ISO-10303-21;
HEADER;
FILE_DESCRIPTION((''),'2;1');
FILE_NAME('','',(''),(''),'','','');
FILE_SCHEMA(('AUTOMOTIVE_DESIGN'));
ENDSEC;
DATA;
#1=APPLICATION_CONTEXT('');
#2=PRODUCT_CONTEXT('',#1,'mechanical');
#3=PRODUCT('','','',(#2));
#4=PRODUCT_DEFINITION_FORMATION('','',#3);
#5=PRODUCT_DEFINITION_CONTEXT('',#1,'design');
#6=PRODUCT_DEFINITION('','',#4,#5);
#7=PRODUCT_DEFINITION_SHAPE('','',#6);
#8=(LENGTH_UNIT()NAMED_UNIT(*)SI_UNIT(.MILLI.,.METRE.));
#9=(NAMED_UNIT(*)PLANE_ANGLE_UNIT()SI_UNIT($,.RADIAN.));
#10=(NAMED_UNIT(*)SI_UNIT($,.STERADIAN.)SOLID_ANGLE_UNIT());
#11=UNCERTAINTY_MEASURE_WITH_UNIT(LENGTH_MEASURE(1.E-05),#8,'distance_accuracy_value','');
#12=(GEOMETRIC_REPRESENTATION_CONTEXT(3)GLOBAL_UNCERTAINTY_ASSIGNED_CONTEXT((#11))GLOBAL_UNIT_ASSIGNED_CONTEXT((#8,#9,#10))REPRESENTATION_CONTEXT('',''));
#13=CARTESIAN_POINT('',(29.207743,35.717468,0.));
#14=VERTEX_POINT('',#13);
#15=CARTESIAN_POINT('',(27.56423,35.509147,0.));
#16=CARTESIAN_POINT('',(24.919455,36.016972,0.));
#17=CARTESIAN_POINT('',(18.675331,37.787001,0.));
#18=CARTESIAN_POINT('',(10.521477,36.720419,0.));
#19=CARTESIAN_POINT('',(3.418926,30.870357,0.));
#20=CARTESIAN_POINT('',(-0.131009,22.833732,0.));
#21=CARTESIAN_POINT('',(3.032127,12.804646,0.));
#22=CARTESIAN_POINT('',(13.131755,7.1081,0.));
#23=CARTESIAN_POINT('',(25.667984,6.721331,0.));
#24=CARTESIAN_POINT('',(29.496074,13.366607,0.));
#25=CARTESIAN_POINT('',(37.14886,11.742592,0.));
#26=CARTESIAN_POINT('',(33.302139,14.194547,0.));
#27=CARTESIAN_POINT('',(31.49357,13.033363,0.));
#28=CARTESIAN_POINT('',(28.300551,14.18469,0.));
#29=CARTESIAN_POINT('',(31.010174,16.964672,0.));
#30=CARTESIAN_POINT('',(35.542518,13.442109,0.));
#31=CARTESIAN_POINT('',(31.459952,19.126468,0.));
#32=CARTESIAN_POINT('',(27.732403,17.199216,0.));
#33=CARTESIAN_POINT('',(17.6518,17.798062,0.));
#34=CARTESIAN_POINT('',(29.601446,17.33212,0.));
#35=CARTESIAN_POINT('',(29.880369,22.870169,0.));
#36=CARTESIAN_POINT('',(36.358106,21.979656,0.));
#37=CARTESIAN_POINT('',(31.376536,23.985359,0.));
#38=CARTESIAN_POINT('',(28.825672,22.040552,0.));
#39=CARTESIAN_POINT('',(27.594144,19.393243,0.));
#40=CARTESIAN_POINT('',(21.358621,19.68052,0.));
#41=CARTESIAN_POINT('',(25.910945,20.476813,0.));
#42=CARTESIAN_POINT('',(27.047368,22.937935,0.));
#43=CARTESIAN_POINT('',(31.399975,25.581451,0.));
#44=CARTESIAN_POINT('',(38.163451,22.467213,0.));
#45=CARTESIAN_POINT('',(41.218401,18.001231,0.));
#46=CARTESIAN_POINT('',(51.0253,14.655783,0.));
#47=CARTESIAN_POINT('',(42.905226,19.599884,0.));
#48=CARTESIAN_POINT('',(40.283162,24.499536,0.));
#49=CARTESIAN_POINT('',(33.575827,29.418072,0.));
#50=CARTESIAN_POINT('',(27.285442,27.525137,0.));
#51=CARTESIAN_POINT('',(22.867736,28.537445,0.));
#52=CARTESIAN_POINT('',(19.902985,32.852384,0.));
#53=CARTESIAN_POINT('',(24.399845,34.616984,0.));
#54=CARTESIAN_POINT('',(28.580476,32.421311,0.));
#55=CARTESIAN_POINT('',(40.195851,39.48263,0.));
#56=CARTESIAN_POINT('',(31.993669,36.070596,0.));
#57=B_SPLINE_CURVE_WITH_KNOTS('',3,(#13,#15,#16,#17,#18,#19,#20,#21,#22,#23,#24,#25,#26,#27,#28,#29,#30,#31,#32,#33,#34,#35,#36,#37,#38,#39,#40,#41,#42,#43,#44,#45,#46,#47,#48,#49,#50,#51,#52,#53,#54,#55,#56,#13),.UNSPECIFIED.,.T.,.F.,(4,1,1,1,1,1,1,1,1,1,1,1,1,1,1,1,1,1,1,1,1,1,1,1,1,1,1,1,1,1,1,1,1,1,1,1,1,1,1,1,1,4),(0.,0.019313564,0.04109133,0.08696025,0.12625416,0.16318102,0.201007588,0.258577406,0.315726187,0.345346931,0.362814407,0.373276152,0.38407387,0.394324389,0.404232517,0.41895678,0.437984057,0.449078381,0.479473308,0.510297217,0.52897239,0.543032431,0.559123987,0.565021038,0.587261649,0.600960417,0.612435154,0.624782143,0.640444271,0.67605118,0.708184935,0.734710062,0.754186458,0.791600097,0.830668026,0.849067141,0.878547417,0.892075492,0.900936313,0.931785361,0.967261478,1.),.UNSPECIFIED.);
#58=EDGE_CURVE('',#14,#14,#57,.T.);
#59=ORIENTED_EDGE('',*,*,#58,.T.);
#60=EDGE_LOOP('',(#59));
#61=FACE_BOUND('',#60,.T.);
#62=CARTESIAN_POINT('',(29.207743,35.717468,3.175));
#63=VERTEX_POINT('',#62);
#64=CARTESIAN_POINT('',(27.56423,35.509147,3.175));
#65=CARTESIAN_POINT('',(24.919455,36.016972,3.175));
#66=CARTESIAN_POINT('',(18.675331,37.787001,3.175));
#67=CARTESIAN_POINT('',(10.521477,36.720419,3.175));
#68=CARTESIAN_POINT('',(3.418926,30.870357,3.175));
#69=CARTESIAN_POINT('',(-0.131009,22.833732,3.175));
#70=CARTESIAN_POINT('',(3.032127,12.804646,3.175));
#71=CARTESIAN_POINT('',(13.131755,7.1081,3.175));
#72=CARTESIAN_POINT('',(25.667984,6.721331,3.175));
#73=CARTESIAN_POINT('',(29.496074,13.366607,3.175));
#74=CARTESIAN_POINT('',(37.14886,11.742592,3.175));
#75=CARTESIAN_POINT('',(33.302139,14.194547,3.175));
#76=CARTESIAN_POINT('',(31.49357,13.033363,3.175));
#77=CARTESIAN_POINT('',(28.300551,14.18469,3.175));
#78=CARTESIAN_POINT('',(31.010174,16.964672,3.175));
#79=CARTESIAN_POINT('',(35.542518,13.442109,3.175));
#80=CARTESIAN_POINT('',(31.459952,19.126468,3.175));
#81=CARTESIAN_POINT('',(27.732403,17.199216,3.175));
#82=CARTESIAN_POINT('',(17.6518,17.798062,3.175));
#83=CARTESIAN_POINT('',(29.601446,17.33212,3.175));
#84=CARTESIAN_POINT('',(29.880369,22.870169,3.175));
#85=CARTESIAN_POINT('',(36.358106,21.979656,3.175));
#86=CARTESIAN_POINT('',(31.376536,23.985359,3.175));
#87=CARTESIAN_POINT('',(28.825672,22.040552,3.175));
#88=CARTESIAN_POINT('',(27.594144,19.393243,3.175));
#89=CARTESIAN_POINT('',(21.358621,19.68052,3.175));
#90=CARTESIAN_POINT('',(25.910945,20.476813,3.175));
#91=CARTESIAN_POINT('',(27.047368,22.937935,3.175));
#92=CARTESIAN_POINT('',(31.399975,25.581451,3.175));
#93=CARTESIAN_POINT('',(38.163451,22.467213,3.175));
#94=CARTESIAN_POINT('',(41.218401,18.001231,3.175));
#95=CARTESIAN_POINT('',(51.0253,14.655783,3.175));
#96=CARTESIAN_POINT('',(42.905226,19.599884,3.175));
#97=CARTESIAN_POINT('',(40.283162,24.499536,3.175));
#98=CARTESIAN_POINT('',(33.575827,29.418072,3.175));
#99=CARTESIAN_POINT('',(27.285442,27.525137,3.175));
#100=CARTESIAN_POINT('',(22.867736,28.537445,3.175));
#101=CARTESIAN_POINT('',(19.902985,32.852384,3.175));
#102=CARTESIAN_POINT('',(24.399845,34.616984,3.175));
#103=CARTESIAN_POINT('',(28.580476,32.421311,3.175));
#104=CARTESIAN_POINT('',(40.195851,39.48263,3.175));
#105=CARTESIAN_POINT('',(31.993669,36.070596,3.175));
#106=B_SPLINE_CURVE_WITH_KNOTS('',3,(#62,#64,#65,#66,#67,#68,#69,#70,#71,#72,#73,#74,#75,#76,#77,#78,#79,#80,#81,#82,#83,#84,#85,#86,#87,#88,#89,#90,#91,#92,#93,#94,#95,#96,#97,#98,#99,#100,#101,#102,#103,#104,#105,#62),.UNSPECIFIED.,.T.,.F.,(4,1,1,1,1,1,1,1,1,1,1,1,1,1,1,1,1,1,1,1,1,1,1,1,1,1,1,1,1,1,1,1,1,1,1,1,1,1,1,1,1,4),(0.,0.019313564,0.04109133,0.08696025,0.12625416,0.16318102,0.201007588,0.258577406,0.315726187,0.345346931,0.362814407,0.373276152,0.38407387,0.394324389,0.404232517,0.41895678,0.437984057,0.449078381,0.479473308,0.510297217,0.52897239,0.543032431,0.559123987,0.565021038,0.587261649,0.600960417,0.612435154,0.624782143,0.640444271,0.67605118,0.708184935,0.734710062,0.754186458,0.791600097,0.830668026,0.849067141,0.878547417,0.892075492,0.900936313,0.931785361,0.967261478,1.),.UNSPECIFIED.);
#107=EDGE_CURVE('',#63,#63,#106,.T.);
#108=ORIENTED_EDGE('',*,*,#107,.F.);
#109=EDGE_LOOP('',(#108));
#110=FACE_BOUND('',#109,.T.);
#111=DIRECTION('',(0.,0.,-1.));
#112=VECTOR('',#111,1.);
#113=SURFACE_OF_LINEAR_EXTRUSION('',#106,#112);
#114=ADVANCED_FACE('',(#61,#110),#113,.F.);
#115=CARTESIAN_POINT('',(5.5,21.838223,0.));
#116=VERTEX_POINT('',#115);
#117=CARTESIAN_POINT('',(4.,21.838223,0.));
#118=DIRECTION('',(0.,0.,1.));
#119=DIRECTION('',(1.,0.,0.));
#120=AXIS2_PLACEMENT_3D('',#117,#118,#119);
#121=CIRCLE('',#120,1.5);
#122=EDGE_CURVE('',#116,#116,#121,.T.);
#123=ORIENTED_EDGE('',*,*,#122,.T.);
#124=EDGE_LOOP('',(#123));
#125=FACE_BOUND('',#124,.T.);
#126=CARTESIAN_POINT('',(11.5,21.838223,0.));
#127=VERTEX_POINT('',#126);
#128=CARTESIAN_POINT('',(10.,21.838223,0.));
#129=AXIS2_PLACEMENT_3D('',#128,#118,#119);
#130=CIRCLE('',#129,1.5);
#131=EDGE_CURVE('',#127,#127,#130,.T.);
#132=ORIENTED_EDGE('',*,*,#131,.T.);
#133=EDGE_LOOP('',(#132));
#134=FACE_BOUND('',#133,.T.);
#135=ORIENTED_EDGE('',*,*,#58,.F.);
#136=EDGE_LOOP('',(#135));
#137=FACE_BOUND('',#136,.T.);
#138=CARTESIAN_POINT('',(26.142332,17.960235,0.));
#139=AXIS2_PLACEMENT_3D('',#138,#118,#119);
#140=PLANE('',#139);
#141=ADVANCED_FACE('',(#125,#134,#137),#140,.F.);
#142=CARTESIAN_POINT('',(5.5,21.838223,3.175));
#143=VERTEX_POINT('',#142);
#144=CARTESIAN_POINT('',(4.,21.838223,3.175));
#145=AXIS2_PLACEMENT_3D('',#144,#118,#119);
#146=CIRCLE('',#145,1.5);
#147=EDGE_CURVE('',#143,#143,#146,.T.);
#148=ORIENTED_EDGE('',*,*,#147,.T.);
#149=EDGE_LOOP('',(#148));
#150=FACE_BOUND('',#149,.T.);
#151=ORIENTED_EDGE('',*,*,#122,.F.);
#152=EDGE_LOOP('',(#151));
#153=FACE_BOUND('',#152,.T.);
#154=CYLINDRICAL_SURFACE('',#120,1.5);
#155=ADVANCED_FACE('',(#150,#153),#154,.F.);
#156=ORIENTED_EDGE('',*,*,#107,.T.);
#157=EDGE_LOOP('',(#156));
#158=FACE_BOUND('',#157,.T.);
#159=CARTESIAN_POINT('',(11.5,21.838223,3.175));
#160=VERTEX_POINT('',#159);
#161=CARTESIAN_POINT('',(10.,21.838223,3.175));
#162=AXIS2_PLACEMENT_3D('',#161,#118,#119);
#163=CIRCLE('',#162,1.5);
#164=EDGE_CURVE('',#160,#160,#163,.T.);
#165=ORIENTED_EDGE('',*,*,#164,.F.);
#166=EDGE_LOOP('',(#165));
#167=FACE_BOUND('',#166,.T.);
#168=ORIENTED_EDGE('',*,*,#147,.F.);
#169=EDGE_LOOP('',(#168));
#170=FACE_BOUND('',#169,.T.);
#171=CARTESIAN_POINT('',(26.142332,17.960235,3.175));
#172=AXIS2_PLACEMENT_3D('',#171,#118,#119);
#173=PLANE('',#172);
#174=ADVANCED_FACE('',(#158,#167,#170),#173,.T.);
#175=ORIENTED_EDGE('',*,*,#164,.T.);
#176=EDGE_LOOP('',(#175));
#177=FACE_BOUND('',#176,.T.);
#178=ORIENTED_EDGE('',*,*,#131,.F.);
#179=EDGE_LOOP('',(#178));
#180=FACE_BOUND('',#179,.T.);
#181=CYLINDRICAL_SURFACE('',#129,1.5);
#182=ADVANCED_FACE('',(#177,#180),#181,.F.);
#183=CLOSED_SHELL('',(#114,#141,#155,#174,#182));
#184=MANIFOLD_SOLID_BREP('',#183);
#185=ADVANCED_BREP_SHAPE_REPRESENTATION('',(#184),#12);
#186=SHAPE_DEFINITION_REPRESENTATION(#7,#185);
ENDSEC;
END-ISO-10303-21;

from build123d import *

# Parameters (mm, degrees)
BOSS_EXTRUDE1_DEPTH = 3.175
SKETCH3_R           = 1.5
CUT_EXTRUDE1_DEPTH  = 62.37230268


with BuildPart() as part:
    # Sketch2 → Boss-Extrude1 (new body)
    with BuildSketch(Plane.XY):
        with BuildLine():
            add(Edge.make_bspline(
                [(29.207742877, 35.717468465), (27.564230342, 35.509146655), (24.919454559, 36.016972128), (18.675330786, 37.787001413), (10.521477008, 36.720419145), (3.418926114, 30.870356855), (-0.131009111, 22.833731924), (3.032127162, 12.804646369), (13.131754602, 7.108100018), (25.667983502, 6.72133109), (29.496073861, 13.36660699), (37.148859705, 11.742591874), (33.302139018, 14.194546611), (31.493569826, 13.033363204), (28.300550831, 14.184690177), (31.010174373, 16.964671568), (35.542518471, 13.442109004), (31.459952472, 19.126468064), (27.732402605, 17.199216403), (17.651799953, 17.798062225), (29.601446249, 17.3321198), (29.88036881, 22.870169201), (36.358106017, 21.979655924), (31.376535738, 23.985359437), (28.825672017, 22.040552063), (27.59414406, 19.393242701), (21.358620703, 19.680519586), (25.910944792, 20.476812713), (27.047367717, 22.937935481), (31.399974657, 25.581450824), (38.163450521, 22.467212538), (41.218401011, 18.001230534), (51.025300464, 14.655783092), (42.905226398, 19.599883885), (40.283162315, 24.499536276), (33.575826986, 29.418071759), (27.285441507, 27.525137109), (22.867735551, 28.537445348), (19.902985476, 32.852384286), (24.399845195, 34.616984192), (28.580475887, 32.421311029), (40.195851031, 39.482629783), (31.993669435, 36.070595838), (29.207742877, 35.717468465)],
                knots=[0, 0, 0, 0, 0.019313564, 0.04109133, 0.08696025, 0.12625416, 0.16318102, 0.201007588, 0.258577406, 0.315726187, 0.345346931, 0.362814407, 0.373276152, 0.38407387, 0.394324389, 0.404232517, 0.41895678, 0.437984057, 0.449078381, 0.479473308, 0.510297217, 0.52897239, 0.543032431, 0.559123987, 0.565021038, 0.587261649, 0.600960417, 0.612435154, 0.624782143, 0.640444271, 0.67605118, 0.708184935, 0.734710062, 0.754186458, 0.791600097, 0.830668026, 0.849067141, 0.878547417, 0.892075492, 0.900936313, 0.931785361, 0.967261478, 1, 1, 1, 1], degree=3))
        make_face()
    extrude(amount=BOSS_EXTRUDE1_DEPTH)

    # Sketch3 → Cut-Extrude1 (cut, through all)
    with BuildSketch(Plane.XY.offset(3.175)):
        with Locations((4, 21.838222863)):
            Circle(SKETCH3_R)
        with Locations((10, 21.838222863)):
            Circle(SKETCH3_R)
    extrude(amount=-CUT_EXTRUDE1_DEPTH, mode=Mode.SUBTRACT)


solid = part.part
